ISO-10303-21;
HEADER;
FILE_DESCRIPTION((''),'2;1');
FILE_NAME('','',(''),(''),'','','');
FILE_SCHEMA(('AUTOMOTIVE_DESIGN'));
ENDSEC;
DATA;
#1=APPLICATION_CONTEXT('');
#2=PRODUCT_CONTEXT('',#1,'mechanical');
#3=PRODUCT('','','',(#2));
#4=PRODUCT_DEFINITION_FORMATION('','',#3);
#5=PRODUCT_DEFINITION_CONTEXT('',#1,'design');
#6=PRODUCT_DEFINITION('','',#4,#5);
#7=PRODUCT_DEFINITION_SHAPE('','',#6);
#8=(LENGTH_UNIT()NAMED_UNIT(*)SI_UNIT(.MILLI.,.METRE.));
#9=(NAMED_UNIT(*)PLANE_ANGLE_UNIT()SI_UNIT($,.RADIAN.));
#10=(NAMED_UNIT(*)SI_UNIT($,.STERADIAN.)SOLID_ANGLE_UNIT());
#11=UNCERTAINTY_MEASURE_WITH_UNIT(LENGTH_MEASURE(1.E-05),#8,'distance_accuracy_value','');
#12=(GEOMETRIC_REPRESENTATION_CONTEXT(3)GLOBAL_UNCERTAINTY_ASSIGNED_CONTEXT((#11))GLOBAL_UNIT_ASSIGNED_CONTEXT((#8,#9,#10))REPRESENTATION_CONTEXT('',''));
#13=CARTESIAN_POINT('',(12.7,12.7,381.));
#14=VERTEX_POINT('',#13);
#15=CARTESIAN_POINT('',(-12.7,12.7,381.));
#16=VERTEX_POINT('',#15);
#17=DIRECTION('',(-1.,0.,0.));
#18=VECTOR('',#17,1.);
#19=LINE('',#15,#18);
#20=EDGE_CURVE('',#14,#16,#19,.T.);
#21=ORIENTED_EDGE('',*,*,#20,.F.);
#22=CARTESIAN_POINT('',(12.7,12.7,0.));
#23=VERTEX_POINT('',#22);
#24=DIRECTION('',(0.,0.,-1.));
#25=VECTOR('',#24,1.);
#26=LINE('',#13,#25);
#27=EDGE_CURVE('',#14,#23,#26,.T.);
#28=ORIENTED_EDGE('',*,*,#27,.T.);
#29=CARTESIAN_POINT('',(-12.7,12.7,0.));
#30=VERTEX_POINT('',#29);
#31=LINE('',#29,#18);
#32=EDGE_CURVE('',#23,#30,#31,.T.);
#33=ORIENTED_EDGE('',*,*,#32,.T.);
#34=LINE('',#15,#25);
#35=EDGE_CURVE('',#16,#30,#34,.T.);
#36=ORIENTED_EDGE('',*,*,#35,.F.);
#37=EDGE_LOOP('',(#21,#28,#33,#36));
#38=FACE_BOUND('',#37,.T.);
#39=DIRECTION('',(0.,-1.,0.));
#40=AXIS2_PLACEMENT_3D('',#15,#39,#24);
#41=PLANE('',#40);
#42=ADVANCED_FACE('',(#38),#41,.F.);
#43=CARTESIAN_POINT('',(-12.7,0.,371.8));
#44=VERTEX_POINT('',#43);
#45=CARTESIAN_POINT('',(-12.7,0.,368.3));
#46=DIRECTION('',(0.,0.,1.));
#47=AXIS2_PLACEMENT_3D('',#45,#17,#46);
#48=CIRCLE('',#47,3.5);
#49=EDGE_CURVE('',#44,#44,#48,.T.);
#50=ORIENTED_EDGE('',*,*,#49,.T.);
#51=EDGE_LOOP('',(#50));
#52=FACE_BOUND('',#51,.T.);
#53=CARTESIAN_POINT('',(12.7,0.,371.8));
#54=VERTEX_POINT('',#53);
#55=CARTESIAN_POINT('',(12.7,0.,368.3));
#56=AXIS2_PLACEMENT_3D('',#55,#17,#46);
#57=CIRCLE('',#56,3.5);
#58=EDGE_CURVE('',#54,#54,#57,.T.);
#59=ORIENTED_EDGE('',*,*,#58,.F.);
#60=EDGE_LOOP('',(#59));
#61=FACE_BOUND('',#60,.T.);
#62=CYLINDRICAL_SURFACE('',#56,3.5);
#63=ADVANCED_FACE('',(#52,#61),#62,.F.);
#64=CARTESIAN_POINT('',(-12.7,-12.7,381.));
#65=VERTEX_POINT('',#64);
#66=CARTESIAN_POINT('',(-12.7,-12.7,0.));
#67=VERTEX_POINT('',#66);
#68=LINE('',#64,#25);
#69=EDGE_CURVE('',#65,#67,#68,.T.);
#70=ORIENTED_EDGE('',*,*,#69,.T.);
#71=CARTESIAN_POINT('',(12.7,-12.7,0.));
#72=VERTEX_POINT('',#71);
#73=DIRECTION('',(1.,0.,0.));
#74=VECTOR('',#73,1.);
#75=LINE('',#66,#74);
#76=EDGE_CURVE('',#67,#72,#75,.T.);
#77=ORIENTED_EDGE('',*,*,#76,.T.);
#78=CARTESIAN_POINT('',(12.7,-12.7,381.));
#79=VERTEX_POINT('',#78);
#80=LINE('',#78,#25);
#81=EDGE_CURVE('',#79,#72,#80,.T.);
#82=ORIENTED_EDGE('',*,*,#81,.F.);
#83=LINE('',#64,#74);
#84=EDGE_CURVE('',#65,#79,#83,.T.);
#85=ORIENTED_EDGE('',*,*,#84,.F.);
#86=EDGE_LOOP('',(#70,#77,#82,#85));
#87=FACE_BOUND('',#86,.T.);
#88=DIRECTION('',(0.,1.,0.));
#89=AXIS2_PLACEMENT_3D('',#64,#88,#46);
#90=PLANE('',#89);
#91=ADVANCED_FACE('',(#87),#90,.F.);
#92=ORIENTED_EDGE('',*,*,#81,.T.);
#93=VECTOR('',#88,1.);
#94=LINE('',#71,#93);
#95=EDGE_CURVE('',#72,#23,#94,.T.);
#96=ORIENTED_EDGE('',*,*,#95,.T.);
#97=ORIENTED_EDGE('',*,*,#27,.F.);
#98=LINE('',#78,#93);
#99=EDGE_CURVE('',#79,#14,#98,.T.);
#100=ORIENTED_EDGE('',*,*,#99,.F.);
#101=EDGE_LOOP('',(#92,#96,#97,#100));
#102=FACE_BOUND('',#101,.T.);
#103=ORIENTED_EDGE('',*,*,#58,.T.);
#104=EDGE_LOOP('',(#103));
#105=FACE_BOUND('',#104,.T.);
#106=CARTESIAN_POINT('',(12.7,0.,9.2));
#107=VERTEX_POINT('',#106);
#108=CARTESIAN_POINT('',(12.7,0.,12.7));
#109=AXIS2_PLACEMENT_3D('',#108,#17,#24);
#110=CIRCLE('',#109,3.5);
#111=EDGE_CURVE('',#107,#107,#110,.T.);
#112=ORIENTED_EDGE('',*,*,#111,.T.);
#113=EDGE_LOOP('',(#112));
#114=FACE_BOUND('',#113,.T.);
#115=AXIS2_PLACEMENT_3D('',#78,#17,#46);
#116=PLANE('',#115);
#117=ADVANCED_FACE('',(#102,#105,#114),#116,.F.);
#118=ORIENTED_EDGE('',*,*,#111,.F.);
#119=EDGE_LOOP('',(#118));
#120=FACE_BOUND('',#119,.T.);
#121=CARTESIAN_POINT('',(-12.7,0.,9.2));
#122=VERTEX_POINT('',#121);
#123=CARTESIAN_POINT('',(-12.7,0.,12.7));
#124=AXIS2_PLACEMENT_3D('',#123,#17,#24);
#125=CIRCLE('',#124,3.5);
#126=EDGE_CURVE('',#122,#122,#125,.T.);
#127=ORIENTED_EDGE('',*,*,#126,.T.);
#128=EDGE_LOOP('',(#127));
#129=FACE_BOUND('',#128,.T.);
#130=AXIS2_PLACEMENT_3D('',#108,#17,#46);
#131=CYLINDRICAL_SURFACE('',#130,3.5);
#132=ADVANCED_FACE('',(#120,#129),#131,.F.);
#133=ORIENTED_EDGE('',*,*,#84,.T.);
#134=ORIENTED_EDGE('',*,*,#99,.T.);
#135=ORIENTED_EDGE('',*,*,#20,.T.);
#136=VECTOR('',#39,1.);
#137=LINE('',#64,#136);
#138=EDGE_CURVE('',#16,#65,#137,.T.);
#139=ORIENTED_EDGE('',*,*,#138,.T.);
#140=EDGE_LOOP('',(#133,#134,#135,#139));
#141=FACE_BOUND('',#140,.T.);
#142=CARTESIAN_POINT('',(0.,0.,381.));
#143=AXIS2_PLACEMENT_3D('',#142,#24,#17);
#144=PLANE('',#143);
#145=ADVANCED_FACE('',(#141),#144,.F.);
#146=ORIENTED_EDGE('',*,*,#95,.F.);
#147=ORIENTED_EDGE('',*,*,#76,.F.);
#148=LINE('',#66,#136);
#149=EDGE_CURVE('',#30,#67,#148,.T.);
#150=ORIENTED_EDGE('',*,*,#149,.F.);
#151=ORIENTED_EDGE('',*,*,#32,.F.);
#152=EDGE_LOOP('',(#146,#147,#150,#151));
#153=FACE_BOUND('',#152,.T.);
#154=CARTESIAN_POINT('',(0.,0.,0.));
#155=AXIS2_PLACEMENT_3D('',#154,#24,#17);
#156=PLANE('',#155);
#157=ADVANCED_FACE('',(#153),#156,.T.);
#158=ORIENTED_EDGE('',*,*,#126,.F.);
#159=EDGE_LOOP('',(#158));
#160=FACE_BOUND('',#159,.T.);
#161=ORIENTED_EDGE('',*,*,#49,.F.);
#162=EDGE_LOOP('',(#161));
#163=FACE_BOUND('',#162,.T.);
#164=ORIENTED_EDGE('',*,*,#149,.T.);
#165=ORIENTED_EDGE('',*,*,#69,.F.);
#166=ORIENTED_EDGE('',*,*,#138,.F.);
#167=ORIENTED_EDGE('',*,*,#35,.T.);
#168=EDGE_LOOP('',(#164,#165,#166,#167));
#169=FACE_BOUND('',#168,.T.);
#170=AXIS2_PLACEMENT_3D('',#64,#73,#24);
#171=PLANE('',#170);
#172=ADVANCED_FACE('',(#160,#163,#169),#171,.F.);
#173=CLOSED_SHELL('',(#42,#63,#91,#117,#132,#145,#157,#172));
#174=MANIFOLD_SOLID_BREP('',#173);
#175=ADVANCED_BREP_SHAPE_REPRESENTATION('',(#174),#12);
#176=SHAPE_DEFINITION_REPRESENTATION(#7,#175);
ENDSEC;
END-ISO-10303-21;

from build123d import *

# Parameters (mm, degrees)
SKETCH1_W           = 25.4
SKETCH1_H           = 25.4
BOSS_EXTRUDE1_DEPTH = 381
SKETCH10_R          = 3.5
CUT_EXTRUDE6_DEPTH  = 26.4


with BuildPart() as part:
    # Sketch1 → Boss-Extrude1 (new body)
    with BuildSketch(Plane.XY):
        Rectangle(SKETCH1_W, SKETCH1_H)
    extrude(amount=BOSS_EXTRUDE1_DEPTH)

    # Sketch10 → Cut-Extrude6 (cut, through all)
    with BuildSketch(Plane.ZY.offset(12.7)):
        with Locations((368.3, 0)):
            Circle(SKETCH10_R)
        with Locations((12.7, 0)):
            Circle(SKETCH10_R)
    extrude(amount=-CUT_EXTRUDE6_DEPTH, mode=Mode.SUBTRACT)


solid = part.part
